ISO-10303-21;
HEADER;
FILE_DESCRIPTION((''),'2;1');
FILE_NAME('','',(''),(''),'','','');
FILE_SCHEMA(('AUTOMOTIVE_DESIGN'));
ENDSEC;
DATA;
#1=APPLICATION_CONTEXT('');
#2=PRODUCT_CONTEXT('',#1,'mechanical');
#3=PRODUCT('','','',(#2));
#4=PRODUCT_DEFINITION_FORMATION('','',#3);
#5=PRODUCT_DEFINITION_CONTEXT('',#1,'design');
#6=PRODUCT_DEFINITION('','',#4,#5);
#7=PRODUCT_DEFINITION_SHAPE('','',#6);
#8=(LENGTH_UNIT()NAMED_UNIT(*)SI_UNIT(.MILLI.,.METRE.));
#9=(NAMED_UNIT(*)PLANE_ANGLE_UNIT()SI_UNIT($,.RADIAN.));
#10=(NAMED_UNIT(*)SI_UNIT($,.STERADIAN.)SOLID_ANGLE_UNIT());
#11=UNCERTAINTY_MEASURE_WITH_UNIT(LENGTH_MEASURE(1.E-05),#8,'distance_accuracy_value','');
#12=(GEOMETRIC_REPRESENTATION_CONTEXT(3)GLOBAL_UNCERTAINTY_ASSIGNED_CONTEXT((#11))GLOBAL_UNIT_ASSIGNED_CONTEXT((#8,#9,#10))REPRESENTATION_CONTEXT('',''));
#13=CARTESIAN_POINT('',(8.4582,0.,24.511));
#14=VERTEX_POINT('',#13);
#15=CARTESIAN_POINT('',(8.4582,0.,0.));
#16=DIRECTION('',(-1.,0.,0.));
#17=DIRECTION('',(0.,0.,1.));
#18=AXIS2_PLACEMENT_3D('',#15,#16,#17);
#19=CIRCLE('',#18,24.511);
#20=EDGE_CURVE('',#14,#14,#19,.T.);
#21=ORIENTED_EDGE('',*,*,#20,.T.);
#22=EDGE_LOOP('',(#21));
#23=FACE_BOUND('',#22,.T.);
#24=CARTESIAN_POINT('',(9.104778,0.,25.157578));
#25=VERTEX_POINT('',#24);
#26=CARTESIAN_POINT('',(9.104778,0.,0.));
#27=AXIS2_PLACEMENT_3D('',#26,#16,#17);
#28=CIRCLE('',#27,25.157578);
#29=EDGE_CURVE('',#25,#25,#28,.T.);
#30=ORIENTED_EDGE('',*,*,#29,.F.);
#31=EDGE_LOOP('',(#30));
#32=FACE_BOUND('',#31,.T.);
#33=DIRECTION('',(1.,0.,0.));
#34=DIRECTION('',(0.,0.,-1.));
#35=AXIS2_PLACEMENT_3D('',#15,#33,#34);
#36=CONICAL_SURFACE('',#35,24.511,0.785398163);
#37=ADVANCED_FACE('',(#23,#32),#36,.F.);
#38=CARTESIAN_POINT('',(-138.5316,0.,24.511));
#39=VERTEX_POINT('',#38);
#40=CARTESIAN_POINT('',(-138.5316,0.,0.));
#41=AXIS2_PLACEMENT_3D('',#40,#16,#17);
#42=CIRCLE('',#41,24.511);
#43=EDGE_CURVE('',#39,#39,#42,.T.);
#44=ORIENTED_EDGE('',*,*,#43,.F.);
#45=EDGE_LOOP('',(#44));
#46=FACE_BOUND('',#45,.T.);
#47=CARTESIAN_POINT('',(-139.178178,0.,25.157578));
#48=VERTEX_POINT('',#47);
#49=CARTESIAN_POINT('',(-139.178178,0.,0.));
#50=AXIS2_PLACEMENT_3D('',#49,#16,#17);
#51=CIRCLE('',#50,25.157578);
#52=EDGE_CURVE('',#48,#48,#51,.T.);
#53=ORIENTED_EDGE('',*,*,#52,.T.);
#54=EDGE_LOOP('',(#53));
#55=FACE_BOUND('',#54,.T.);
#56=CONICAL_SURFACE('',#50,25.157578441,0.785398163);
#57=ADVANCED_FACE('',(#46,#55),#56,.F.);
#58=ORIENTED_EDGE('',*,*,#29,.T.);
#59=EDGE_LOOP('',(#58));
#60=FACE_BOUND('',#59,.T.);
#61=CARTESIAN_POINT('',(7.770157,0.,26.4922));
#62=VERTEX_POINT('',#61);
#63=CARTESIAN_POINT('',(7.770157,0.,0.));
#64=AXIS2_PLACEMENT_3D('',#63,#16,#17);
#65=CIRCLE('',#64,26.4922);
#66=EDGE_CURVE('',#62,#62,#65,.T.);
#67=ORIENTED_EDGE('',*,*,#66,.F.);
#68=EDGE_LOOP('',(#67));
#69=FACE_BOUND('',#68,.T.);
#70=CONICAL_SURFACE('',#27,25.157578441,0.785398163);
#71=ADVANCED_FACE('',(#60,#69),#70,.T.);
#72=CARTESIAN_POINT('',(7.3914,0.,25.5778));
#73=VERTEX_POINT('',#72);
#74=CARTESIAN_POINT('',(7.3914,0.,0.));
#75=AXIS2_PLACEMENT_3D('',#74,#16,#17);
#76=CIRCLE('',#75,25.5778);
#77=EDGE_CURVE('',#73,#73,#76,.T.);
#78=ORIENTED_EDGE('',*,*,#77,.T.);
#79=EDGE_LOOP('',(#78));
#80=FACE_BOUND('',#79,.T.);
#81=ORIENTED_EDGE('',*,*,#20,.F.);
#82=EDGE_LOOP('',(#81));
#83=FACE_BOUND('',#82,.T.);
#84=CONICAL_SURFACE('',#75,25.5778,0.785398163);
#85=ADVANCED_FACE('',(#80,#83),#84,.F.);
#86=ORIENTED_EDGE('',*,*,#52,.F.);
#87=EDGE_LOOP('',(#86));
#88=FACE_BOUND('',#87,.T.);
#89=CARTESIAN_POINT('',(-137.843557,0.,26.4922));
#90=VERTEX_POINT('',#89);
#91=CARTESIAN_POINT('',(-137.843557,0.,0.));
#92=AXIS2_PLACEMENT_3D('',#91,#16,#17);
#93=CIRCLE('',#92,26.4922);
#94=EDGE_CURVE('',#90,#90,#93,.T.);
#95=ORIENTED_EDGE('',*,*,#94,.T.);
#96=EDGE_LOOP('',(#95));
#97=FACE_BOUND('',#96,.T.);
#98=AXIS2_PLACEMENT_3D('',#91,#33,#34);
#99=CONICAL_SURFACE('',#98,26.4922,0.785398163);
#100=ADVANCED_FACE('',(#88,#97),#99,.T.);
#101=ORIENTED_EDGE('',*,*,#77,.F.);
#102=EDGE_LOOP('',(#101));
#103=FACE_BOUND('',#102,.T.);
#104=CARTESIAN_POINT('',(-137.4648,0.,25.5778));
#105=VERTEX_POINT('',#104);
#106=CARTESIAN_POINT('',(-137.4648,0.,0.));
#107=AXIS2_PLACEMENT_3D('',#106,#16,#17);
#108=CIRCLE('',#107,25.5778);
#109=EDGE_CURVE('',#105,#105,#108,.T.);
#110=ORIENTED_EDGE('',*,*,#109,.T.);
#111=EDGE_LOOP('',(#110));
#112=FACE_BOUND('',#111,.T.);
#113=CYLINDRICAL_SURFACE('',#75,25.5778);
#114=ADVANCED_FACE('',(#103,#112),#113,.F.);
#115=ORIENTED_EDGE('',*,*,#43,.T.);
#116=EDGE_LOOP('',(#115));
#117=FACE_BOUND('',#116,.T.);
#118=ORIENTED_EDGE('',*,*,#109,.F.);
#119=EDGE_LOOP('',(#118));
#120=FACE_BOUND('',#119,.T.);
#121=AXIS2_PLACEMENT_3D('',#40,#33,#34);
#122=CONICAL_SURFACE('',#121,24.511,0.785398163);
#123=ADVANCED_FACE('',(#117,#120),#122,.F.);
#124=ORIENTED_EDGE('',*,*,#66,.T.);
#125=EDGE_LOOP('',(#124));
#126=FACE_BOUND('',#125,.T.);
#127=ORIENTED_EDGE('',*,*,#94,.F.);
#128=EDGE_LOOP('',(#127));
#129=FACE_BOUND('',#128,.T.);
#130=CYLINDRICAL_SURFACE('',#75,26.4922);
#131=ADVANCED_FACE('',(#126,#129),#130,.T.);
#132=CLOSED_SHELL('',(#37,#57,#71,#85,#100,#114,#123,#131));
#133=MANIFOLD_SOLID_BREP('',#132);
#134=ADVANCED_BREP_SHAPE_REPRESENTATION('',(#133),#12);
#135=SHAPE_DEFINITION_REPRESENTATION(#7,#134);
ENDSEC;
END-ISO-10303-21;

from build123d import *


with BuildPart() as part:
    # Sketch1 → Revolve1 (revolve)
    with BuildSketch(Plane.XY):
        Polygon((-139.178178441, 25.157578441), (-138.5316, 24.511), (-137.4648, 25.5778), (7.3914, 25.5778), (8.4582, 24.511), (9.104778441, 25.157578441), (7.770156881, 26.4922), (-137.843556881, 26.4922), align=None)
    revolve(axis=Axis((7.3914, 0, 0), (-1, 0, 0)))


solid = part.part
